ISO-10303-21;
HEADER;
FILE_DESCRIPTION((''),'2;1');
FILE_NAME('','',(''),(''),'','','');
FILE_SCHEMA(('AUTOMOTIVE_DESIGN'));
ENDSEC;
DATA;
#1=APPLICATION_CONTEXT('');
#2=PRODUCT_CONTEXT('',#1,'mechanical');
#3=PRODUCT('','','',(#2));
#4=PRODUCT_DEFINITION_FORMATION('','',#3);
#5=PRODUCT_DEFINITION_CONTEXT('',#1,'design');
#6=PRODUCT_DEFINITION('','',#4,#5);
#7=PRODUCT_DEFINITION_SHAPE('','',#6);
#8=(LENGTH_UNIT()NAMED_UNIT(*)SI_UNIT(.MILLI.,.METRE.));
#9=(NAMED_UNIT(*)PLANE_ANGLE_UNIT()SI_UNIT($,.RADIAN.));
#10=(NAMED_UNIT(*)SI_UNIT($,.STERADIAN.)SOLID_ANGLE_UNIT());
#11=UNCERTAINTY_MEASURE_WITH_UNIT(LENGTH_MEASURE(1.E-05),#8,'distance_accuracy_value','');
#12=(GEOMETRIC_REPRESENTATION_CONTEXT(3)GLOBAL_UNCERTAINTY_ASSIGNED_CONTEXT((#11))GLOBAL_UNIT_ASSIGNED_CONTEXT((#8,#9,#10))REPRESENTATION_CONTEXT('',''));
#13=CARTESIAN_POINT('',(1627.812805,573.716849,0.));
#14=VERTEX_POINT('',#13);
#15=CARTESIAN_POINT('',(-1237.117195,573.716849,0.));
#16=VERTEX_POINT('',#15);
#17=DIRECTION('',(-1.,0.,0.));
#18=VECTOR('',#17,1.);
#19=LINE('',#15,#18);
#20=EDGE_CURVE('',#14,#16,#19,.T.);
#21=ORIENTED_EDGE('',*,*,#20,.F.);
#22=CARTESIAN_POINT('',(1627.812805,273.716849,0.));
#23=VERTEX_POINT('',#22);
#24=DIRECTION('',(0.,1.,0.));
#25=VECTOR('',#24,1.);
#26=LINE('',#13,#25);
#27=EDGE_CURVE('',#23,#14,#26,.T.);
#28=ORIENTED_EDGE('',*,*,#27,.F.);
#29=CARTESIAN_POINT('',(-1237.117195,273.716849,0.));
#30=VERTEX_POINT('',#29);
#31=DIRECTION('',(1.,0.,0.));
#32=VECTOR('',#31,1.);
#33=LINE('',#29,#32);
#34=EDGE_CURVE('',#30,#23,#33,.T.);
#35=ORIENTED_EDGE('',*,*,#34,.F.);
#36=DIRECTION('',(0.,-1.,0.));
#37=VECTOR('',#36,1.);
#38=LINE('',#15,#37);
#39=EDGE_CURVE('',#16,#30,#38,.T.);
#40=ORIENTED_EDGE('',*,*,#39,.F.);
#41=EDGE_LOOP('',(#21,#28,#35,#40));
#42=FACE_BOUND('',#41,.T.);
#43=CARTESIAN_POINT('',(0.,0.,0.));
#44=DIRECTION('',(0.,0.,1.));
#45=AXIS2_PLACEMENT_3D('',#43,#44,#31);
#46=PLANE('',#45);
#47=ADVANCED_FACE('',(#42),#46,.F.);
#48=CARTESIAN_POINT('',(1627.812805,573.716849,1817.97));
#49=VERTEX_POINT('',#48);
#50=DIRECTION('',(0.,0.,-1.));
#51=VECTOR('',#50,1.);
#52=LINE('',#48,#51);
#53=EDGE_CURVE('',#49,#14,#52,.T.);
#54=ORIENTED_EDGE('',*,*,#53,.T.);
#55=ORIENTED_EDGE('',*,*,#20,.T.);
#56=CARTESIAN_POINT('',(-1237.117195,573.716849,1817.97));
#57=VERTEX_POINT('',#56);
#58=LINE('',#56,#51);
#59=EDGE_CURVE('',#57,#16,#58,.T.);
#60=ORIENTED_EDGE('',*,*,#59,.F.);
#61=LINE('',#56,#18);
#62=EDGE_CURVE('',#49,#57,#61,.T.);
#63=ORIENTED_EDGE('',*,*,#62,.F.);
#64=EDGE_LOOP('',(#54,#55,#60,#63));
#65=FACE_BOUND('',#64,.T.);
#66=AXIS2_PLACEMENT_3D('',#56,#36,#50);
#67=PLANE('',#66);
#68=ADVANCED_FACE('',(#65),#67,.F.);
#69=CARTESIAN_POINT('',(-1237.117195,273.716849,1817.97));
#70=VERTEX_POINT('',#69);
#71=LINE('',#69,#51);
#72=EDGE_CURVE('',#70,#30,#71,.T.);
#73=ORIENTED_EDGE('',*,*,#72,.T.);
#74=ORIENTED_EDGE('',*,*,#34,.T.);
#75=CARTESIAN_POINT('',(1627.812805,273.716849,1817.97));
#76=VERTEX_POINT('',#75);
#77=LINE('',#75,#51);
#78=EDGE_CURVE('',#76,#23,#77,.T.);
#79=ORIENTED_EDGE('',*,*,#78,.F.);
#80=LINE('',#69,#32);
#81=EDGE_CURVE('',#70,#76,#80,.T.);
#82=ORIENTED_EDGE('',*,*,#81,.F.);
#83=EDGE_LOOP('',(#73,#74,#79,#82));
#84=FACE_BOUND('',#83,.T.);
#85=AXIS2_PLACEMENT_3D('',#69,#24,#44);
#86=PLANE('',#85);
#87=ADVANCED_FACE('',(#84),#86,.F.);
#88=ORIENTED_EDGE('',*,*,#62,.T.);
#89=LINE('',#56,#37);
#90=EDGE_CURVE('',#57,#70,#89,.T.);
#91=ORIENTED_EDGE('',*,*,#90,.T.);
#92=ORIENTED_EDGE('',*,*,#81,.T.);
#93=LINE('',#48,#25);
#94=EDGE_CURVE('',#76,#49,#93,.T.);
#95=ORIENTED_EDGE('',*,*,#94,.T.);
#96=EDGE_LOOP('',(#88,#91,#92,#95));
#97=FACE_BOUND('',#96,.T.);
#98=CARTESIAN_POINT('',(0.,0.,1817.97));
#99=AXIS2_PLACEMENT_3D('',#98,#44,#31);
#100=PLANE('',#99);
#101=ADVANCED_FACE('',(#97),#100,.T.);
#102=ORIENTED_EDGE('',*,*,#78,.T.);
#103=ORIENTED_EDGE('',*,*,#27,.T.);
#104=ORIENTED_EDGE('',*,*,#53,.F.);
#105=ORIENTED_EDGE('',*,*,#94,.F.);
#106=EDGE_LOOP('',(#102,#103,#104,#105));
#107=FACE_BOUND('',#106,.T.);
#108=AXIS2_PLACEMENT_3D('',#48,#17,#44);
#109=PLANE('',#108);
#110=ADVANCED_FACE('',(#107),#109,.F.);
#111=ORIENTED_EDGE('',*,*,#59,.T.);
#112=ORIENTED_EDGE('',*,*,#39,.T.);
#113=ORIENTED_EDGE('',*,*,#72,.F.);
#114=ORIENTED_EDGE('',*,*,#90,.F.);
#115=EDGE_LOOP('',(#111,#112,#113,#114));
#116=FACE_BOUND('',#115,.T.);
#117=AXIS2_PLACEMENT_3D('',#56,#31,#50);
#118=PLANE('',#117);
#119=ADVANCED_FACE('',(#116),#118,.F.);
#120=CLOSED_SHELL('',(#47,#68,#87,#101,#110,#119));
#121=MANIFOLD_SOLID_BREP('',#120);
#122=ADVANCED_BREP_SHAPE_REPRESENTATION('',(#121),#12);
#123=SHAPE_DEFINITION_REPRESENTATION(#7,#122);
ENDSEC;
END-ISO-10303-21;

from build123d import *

# Parameters (mm, degrees)
CROQUIS1_W              = 2864.93
CROQUIS1_H              = 300
SALIENTE_EXTRUIR1_DEPTH = 1817.97


with BuildPart() as part:
    # Croquis1 → Saliente-Extruir1 (new body)
    with BuildSketch(Plane.XY):
        with Locations((195.34780545, 423.71684949)):
            Rectangle(CROQUIS1_W, CROQUIS1_H)
    extrude(amount=SALIENTE_EXTRUIR1_DEPTH)


solid = part.part
